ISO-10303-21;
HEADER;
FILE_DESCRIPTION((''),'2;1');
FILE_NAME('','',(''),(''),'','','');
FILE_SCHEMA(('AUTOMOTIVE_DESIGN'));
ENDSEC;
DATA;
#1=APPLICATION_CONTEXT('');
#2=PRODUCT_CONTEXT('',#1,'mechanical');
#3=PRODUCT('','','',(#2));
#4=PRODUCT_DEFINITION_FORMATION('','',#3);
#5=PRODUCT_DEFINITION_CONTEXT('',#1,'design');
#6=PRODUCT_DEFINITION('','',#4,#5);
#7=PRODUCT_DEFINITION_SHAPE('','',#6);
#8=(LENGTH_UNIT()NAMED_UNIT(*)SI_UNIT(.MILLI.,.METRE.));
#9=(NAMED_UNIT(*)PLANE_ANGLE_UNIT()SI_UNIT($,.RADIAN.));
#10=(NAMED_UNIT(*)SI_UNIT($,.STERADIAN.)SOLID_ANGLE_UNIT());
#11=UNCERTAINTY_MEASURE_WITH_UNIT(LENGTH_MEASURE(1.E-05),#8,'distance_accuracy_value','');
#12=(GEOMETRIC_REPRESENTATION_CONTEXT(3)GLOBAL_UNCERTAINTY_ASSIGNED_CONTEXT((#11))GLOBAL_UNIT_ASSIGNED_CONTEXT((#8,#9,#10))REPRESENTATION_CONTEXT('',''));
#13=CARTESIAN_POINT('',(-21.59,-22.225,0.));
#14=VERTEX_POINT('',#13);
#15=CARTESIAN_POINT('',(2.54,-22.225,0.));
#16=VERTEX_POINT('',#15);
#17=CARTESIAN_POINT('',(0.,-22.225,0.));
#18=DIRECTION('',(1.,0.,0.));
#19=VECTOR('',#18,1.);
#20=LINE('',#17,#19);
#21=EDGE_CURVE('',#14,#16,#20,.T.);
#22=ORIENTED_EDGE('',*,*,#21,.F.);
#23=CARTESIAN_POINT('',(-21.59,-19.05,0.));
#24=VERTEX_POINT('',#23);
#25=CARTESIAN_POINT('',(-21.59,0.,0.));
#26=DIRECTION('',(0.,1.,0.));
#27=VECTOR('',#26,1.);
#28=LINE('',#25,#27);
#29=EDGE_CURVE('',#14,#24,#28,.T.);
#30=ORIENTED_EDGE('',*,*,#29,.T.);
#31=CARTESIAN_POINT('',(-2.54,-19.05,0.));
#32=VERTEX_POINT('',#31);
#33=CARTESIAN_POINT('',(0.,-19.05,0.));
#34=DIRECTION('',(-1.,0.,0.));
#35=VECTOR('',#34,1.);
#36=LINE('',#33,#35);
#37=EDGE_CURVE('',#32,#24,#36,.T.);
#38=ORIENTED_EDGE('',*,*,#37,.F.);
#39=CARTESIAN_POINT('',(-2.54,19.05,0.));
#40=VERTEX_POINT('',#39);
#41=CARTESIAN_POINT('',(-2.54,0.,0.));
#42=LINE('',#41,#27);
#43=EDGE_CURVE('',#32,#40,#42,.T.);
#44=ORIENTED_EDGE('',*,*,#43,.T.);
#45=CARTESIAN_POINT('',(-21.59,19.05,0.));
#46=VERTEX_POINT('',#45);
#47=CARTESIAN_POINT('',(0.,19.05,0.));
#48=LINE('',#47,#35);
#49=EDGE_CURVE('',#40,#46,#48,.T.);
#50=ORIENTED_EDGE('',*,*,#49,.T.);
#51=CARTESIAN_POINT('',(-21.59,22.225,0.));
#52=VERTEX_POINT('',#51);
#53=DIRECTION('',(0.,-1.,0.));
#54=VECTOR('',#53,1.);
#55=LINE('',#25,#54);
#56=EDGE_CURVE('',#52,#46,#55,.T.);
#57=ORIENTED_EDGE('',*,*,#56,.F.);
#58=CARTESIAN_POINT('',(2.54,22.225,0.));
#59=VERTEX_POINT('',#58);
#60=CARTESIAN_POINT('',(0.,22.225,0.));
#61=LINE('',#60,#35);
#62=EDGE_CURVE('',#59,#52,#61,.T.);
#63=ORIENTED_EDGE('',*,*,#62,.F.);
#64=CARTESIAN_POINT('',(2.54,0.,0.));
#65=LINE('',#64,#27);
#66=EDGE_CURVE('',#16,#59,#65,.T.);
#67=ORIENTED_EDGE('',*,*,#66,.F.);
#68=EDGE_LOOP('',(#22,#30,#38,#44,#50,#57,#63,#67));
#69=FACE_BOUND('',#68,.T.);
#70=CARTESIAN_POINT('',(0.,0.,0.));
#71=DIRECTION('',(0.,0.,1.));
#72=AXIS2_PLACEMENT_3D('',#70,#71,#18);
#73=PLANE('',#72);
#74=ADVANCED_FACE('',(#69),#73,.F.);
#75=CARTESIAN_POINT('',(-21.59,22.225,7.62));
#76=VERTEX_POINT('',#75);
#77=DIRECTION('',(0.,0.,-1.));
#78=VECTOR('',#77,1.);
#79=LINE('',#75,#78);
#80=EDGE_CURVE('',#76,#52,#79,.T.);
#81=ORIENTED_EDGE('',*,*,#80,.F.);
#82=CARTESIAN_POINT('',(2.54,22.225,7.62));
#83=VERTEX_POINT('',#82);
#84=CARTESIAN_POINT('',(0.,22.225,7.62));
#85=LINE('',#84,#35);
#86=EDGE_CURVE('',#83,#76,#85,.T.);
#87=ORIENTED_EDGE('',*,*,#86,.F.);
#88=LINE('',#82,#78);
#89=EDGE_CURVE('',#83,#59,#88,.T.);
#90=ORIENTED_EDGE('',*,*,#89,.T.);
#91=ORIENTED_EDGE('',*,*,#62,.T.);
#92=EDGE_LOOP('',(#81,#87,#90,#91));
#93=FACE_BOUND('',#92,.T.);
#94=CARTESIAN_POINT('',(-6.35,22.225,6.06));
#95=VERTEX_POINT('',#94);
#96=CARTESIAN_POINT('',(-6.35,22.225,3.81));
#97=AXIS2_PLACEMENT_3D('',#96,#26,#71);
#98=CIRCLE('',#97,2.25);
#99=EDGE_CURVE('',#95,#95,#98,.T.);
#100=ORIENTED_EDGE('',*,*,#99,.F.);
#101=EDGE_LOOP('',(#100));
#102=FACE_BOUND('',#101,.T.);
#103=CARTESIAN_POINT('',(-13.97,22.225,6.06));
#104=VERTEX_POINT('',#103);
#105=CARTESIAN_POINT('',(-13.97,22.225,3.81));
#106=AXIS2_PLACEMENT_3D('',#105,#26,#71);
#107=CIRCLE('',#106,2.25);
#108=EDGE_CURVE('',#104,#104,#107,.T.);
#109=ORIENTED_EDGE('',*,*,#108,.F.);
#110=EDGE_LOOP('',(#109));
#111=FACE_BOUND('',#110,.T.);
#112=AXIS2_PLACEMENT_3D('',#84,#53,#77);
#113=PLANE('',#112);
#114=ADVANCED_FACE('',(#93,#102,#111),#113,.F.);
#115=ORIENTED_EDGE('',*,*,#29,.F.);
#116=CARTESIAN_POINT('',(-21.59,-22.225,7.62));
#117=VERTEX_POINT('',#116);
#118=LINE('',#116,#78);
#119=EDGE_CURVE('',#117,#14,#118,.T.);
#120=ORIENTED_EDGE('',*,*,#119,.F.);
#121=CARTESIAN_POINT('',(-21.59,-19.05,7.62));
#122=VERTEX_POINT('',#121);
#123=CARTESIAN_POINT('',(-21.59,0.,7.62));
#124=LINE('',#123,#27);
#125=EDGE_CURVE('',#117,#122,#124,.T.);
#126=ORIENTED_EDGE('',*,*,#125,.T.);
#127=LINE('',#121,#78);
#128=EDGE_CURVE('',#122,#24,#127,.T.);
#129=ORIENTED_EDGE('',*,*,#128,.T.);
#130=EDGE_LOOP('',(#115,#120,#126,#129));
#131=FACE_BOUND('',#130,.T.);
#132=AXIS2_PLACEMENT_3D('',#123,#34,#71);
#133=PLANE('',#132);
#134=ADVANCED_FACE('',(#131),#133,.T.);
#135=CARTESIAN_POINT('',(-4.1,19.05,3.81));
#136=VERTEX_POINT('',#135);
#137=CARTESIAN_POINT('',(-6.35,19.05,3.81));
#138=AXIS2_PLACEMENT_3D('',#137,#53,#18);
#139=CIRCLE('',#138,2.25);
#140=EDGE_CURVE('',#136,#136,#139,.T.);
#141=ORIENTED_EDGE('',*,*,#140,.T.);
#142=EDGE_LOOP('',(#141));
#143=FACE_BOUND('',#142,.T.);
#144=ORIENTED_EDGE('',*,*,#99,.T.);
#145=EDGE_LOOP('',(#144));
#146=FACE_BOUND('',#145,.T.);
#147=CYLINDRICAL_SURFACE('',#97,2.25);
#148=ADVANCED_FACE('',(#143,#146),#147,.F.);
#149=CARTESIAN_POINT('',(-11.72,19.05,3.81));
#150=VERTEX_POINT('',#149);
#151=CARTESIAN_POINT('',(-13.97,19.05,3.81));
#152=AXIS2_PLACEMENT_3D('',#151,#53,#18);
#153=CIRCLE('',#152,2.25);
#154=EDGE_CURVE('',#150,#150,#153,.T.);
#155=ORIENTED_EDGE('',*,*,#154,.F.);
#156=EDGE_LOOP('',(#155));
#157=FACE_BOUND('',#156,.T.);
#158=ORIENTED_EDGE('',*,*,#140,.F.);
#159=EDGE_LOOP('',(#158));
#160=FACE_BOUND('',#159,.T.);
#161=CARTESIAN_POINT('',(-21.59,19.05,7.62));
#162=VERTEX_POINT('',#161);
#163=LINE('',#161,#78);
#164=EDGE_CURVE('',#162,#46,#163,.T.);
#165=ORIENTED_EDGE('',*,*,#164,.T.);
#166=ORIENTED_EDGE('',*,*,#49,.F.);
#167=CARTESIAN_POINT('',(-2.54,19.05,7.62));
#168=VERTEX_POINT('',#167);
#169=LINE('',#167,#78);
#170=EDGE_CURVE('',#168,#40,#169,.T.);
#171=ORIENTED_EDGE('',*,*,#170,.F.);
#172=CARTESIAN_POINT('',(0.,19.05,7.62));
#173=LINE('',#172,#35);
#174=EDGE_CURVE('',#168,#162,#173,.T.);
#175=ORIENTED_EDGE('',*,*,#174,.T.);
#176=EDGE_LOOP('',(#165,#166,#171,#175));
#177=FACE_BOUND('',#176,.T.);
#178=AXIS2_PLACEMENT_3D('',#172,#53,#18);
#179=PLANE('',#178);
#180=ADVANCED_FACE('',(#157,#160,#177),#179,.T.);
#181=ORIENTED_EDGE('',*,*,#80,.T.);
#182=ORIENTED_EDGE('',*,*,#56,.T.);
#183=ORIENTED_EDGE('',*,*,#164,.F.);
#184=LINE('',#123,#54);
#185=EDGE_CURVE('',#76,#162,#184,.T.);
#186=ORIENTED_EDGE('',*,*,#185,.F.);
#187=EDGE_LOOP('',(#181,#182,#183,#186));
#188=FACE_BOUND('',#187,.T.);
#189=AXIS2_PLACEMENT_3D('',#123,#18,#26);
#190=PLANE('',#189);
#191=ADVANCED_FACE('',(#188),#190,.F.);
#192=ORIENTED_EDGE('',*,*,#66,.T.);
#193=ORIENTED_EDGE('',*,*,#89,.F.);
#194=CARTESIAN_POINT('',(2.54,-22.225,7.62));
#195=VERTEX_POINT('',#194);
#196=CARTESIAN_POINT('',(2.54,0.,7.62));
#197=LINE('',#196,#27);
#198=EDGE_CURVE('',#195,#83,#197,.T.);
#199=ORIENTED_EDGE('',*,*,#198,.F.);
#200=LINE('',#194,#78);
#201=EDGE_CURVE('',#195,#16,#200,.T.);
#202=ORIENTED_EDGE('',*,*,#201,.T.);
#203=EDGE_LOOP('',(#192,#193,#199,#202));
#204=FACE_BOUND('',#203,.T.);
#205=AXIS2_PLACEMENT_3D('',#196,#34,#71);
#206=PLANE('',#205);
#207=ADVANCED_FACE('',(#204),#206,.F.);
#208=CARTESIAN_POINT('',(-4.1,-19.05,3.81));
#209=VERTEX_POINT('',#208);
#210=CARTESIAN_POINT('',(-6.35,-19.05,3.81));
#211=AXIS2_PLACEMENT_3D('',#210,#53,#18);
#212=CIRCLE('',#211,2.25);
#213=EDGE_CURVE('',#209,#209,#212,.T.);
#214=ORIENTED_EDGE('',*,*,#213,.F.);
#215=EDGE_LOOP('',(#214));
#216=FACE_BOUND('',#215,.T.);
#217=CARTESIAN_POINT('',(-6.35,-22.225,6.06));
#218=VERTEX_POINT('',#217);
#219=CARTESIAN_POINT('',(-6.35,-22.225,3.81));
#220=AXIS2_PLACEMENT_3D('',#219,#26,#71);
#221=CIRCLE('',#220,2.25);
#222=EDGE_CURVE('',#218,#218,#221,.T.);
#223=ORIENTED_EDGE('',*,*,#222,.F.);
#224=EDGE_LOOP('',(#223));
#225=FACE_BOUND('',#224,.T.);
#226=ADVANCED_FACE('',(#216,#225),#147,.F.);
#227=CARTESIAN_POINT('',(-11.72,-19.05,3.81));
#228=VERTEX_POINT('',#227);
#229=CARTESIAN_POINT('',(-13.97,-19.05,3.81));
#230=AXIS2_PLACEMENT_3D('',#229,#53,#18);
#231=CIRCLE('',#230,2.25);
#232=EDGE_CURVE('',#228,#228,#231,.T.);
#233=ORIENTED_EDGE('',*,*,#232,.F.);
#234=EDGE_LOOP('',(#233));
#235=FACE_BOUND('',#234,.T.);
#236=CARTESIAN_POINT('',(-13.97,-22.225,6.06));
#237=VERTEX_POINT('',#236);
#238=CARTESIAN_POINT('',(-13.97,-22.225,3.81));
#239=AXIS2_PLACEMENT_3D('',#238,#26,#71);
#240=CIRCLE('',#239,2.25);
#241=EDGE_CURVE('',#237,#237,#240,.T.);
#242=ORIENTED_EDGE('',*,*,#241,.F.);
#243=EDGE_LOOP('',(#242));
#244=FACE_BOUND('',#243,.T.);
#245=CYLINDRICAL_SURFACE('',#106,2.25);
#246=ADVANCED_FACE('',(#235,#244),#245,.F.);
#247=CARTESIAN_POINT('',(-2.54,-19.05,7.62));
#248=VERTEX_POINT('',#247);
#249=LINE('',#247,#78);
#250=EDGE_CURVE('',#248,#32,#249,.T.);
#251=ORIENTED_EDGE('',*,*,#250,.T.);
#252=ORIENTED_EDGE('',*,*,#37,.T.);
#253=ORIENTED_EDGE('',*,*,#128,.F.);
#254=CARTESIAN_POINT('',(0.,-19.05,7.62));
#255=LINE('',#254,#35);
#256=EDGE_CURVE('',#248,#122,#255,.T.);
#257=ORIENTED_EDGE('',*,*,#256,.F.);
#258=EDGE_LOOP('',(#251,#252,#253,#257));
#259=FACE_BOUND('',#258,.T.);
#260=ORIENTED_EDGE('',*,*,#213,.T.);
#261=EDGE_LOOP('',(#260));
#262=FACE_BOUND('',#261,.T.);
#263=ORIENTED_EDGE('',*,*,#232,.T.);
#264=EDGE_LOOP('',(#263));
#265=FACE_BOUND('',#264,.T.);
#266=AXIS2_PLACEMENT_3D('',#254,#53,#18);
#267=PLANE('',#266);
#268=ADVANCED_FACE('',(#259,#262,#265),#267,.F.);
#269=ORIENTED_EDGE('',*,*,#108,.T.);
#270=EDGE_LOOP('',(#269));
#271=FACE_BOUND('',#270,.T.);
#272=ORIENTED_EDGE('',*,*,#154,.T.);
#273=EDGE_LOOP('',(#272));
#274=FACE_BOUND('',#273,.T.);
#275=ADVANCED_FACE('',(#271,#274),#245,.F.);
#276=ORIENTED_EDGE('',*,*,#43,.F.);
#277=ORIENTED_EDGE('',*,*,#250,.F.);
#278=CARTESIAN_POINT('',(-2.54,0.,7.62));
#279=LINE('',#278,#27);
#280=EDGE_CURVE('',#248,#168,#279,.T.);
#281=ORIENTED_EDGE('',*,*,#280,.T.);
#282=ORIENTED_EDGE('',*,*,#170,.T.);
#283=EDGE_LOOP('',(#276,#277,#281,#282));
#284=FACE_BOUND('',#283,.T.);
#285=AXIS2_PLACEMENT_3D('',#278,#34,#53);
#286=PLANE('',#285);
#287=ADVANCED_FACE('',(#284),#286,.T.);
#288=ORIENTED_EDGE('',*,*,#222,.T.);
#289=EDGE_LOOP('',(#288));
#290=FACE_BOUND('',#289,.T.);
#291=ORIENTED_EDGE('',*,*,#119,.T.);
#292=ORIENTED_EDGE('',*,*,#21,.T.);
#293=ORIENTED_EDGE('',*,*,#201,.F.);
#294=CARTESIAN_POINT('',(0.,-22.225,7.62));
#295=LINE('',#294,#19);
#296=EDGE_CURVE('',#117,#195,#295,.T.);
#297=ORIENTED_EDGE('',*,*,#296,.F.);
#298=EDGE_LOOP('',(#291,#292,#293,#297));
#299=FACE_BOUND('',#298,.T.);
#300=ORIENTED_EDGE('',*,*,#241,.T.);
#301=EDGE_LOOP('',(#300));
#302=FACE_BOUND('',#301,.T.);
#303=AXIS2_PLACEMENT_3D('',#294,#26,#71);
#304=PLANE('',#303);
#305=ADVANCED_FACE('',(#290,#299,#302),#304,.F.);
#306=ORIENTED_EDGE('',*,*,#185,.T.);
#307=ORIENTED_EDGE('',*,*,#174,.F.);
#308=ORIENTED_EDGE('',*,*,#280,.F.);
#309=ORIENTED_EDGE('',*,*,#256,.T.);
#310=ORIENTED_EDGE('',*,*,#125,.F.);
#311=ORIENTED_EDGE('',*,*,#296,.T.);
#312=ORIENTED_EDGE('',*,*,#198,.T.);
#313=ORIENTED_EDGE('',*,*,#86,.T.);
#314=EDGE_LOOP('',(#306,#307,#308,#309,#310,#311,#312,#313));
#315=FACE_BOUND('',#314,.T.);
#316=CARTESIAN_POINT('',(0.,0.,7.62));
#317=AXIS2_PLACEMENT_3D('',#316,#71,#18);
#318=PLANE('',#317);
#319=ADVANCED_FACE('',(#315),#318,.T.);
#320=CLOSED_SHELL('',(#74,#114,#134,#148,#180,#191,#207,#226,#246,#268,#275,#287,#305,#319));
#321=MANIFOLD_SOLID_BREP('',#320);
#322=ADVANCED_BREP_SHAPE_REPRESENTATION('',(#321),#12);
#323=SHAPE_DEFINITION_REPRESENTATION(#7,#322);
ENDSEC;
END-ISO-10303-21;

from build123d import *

# Parameters (mm, degrees)
SKETCH1_W            = 19.05
SKETCH1_H            = 3.175
SKETCH1_W_2          = 5.08
SKETCH1_H_2          = 44.45
BOSS_EXTRUDE1_DEPTH  = 7.62
M4_CLEARANCE_HOLE1_D = 4.5


with BuildPart() as part:
    # Sketch1 → Boss-Extrude1 (new body)
    with BuildSketch(Plane.XY):
        with Locations((-12.065, 20.6375)):
            Rectangle(SKETCH1_W, SKETCH1_H)
        Rectangle(SKETCH1_W_2, SKETCH1_H_2)
        with Locations((-12.065, -20.6375)):
            Rectangle(SKETCH1_W, SKETCH1_H)
    extrude(amount=BOSS_EXTRUDE1_DEPTH)

    # M4 Clearance Hole1 (through all)
    with Locations(Plane(origin=(0, 22.225, 0), x_dir=(1, 0, 0), z_dir=(0, 1, 0))):
        with Locations((-13.97, -3.81), (-6.35, -3.81)):
            Hole(M4_CLEARANCE_HOLE1_D / 2)


solid = part.part
